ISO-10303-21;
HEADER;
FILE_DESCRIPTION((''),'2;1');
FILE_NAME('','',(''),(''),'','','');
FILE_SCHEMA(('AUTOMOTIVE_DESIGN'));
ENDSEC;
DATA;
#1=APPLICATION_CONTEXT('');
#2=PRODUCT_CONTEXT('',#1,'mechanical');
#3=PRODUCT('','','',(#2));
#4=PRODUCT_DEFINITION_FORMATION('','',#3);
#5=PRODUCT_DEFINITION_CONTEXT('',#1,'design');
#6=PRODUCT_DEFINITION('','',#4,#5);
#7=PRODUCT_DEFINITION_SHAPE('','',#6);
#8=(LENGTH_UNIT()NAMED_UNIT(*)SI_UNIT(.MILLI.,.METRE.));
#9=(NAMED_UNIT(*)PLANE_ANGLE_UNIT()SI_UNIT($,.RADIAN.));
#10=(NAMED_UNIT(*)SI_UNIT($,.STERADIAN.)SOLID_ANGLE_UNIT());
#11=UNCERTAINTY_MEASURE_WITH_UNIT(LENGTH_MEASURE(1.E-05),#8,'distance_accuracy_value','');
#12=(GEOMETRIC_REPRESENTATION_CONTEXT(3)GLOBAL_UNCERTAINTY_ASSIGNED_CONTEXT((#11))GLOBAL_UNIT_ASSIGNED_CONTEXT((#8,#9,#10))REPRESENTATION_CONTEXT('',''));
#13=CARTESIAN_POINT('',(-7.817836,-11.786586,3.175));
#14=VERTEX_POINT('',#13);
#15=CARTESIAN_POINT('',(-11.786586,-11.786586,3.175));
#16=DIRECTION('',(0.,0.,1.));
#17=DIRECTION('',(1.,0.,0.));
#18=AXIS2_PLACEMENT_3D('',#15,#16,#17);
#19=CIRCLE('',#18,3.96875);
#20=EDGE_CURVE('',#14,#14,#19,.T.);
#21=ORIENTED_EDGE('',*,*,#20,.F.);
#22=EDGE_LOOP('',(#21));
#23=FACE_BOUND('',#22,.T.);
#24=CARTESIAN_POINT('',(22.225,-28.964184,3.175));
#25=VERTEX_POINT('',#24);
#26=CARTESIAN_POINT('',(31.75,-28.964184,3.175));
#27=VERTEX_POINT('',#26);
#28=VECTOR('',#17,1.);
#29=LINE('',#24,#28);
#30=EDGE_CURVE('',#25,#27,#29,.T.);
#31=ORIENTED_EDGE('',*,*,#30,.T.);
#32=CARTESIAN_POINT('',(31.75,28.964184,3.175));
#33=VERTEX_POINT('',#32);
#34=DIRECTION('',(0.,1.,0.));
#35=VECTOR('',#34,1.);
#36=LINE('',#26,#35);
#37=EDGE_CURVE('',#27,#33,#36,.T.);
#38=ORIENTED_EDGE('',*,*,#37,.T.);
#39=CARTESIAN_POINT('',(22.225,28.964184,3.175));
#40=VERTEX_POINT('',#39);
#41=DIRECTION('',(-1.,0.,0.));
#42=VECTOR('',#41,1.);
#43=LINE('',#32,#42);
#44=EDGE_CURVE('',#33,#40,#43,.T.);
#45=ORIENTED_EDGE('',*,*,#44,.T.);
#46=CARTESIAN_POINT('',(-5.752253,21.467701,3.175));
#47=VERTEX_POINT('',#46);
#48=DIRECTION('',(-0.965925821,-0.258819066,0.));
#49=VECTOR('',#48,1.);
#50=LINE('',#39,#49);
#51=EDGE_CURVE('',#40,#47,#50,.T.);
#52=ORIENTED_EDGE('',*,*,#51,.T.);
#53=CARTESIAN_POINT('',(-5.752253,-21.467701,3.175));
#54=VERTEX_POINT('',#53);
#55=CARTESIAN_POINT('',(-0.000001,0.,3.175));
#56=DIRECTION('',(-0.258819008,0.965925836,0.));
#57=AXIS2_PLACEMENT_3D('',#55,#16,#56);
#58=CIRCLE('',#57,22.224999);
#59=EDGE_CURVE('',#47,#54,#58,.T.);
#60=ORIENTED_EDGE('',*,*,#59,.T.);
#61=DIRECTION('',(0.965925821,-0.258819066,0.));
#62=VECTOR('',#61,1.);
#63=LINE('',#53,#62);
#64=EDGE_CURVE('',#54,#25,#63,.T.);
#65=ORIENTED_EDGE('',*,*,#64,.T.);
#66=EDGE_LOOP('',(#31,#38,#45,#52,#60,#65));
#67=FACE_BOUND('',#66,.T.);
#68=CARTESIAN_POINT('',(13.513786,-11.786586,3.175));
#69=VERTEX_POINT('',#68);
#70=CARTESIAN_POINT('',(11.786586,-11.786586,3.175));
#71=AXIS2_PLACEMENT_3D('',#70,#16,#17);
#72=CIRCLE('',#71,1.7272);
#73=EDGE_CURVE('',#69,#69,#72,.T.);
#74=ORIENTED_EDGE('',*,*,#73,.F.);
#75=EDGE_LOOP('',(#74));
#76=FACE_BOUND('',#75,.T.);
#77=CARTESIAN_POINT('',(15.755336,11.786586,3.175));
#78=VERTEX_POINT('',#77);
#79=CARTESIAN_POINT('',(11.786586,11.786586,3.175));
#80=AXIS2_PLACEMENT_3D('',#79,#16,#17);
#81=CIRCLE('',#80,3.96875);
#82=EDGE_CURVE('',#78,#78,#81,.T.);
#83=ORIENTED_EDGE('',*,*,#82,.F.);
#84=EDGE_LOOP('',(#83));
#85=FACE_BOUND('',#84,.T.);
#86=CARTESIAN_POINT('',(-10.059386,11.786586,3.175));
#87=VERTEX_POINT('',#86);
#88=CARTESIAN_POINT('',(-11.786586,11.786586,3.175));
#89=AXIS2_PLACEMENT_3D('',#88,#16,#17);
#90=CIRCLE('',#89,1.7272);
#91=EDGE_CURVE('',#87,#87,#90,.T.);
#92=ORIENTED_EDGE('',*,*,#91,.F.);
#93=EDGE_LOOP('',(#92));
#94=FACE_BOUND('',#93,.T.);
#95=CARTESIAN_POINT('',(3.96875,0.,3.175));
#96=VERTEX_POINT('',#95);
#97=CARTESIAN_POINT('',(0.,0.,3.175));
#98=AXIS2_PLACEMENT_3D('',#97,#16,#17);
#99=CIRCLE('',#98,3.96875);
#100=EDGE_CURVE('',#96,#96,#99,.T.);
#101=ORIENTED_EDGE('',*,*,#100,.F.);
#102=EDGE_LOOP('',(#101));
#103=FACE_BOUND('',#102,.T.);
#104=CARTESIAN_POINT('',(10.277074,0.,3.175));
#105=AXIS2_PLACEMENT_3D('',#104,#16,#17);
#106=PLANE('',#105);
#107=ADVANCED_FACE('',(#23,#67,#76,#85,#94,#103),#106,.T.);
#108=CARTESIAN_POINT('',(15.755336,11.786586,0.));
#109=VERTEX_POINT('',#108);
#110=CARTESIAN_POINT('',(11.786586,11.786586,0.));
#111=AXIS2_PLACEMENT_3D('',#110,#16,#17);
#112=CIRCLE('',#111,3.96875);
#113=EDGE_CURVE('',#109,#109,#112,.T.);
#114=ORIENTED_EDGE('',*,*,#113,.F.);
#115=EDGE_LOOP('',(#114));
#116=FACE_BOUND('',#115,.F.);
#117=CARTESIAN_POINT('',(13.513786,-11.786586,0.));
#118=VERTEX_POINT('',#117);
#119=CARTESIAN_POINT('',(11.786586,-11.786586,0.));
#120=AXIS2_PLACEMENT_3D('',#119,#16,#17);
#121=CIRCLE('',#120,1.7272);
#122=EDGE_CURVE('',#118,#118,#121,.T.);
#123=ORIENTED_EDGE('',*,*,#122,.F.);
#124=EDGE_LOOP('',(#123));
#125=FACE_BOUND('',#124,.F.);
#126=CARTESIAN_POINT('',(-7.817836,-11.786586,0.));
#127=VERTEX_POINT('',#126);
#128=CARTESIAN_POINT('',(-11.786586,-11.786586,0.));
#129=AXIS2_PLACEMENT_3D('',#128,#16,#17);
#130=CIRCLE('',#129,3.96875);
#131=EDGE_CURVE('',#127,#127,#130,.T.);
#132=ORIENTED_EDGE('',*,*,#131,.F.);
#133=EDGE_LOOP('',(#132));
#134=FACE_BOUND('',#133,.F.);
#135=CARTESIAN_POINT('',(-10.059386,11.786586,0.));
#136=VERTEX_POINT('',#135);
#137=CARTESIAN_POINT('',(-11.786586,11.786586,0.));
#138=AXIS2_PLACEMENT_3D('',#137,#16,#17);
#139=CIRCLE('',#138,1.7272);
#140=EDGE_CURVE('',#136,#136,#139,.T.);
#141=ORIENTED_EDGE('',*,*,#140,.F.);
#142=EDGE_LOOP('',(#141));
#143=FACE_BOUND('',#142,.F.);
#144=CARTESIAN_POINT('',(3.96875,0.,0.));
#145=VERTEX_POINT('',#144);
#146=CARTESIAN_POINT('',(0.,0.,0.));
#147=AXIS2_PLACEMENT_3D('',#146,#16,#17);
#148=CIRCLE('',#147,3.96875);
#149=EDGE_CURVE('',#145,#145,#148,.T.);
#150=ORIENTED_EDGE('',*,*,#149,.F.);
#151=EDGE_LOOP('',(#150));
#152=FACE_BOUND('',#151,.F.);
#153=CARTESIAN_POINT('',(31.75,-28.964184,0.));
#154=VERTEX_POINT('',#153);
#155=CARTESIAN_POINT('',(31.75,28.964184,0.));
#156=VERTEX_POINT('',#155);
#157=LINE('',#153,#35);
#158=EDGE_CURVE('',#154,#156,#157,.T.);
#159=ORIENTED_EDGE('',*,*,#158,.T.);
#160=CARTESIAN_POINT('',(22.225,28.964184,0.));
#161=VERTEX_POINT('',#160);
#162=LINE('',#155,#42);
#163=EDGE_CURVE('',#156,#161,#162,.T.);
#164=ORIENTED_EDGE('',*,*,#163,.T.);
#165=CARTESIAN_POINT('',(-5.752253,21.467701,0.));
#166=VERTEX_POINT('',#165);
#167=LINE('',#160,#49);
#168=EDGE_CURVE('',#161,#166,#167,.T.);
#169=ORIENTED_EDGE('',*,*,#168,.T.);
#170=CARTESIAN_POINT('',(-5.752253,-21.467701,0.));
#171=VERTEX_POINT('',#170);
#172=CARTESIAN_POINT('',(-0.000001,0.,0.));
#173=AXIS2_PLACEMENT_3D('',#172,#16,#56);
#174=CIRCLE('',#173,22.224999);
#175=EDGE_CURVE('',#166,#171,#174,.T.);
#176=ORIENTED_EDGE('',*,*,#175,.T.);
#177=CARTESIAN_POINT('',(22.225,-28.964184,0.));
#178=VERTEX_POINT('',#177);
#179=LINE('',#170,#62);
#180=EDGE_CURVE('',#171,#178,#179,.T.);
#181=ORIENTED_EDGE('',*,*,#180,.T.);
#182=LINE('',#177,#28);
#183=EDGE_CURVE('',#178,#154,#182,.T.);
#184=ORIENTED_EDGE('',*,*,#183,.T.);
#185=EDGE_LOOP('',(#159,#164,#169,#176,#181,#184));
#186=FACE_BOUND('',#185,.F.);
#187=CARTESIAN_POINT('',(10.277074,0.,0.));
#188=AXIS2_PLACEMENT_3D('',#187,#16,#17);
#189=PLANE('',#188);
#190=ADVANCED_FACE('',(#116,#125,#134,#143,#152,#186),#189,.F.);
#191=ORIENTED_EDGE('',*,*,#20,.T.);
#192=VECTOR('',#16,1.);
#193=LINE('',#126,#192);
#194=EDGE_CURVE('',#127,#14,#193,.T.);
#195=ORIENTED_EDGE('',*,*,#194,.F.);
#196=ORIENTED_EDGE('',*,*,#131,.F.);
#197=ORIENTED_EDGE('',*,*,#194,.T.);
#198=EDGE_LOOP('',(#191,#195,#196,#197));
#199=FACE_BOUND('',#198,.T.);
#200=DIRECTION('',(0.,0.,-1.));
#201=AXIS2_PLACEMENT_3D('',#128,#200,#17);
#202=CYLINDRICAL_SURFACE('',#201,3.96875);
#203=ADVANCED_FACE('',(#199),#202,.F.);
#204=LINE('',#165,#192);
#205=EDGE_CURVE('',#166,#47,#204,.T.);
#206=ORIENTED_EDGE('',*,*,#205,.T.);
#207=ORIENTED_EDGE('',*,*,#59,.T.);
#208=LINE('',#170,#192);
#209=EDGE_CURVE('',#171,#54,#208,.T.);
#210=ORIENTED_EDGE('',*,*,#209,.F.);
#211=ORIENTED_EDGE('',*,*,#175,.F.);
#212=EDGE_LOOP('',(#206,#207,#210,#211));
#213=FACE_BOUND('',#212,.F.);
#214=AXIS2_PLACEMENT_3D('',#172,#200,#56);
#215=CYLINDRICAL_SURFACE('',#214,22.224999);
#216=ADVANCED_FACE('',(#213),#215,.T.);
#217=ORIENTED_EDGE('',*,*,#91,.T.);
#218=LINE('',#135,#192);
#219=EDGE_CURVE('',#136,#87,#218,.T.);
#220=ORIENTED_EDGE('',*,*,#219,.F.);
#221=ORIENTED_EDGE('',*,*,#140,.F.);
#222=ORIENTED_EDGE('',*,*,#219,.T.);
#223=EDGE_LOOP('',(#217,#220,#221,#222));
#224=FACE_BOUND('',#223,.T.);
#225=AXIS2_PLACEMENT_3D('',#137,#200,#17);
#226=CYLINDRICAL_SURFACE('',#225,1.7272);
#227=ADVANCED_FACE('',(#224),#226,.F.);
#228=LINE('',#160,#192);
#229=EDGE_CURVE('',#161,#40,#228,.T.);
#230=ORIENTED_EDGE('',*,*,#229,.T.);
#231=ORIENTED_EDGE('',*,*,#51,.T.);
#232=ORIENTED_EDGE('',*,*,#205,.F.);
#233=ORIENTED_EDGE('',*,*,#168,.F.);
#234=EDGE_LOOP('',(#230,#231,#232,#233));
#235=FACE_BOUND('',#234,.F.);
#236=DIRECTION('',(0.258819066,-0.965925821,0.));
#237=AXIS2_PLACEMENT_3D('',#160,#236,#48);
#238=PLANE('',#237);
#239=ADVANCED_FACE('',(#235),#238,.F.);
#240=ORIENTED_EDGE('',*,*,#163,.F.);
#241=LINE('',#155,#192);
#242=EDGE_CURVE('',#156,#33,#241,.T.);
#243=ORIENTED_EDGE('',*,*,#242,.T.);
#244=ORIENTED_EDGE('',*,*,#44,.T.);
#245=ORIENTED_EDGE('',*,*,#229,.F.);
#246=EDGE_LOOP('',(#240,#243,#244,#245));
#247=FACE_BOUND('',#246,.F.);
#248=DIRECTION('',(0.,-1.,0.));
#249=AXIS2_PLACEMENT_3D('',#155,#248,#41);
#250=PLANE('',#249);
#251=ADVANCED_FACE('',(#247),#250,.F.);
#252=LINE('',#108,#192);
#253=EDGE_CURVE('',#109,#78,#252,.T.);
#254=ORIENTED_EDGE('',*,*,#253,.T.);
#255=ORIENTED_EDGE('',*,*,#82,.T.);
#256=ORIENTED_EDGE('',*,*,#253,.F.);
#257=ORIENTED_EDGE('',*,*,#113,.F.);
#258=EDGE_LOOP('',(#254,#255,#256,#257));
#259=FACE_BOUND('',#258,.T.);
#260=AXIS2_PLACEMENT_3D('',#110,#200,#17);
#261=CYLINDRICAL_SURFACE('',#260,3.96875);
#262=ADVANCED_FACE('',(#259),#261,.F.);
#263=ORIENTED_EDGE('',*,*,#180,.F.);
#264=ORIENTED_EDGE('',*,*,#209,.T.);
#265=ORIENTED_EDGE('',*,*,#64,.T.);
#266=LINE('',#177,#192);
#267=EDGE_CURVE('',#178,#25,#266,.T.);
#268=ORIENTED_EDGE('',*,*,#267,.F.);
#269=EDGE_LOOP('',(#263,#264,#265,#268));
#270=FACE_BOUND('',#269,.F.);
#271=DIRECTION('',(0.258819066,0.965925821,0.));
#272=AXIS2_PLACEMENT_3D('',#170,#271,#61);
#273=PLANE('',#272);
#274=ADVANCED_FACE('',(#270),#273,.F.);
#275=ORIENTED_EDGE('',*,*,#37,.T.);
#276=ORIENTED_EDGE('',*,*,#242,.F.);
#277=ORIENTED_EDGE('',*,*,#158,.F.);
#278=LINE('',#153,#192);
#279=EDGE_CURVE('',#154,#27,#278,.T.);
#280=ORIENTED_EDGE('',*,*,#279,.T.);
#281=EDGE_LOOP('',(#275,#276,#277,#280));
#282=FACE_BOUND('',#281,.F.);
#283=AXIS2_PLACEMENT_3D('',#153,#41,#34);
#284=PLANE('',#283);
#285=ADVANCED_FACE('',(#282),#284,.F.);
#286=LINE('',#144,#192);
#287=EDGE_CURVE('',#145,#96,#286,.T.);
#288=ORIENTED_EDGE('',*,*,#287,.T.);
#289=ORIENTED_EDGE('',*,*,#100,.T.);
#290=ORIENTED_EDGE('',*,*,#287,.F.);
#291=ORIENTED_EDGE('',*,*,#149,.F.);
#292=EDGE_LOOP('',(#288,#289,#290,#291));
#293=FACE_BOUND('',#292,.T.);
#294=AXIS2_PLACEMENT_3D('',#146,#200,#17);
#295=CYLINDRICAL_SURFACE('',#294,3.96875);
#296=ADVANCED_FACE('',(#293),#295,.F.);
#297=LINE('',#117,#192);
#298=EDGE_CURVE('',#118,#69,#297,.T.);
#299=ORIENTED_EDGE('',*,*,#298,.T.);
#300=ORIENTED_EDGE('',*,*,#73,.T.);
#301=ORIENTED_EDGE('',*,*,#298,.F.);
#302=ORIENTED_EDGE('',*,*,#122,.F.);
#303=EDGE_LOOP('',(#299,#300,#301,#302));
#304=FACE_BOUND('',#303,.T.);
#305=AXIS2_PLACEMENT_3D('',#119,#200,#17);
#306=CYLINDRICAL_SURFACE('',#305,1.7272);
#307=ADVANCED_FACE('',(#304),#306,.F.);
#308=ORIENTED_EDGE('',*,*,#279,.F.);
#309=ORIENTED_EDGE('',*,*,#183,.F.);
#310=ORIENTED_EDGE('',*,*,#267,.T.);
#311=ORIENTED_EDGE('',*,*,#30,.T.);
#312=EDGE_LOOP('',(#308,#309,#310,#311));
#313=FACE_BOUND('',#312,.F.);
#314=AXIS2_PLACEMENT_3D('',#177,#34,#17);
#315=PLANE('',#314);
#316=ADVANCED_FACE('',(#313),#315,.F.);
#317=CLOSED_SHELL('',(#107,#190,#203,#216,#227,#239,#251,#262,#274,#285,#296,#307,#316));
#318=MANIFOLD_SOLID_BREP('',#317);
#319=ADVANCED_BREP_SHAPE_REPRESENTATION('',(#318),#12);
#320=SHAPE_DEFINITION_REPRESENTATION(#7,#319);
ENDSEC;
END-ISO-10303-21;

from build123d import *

# Parameters (mm, degrees)
F0_R     = 3.96875
F0_R_2   = 1.7272
F1_DEPTH = 3.175


with BuildPart() as f1:
    # F0 (on Top) → F1 (new body)
    with BuildSketch(Plane.XY):
        with BuildLine():
            Line((31.75, 28.964184), (22.225, 28.964184))
            Line((22.225, 28.964184), (-5.752253, 21.467701))
            ThreePointArc((-5.752253, 21.467701), (-22.225, 0), (-5.752253, -21.467701))
            Line((-5.752253, -21.467701), (22.225, -28.964184))
            Line((22.225, -28.964184), (31.75, -28.964184))
            Line((31.75, -28.964184), (31.75, 28.964184))
        make_face()
        with Locations((-11.786586, -11.786586)):
            Circle(F0_R, mode=Mode.SUBTRACT)
        with Locations((11.786586, -11.786586)):
            Circle(F0_R_2, mode=Mode.SUBTRACT)
        with Locations((-11.786586, 11.786586)):
            Circle(F0_R_2, mode=Mode.SUBTRACT)
        Circle(F0_R, mode=Mode.SUBTRACT)
        with Locations((11.786586, 11.786586)):
            Circle(F0_R, mode=Mode.SUBTRACT)
    extrude(amount=F1_DEPTH)


solid = f1.part
